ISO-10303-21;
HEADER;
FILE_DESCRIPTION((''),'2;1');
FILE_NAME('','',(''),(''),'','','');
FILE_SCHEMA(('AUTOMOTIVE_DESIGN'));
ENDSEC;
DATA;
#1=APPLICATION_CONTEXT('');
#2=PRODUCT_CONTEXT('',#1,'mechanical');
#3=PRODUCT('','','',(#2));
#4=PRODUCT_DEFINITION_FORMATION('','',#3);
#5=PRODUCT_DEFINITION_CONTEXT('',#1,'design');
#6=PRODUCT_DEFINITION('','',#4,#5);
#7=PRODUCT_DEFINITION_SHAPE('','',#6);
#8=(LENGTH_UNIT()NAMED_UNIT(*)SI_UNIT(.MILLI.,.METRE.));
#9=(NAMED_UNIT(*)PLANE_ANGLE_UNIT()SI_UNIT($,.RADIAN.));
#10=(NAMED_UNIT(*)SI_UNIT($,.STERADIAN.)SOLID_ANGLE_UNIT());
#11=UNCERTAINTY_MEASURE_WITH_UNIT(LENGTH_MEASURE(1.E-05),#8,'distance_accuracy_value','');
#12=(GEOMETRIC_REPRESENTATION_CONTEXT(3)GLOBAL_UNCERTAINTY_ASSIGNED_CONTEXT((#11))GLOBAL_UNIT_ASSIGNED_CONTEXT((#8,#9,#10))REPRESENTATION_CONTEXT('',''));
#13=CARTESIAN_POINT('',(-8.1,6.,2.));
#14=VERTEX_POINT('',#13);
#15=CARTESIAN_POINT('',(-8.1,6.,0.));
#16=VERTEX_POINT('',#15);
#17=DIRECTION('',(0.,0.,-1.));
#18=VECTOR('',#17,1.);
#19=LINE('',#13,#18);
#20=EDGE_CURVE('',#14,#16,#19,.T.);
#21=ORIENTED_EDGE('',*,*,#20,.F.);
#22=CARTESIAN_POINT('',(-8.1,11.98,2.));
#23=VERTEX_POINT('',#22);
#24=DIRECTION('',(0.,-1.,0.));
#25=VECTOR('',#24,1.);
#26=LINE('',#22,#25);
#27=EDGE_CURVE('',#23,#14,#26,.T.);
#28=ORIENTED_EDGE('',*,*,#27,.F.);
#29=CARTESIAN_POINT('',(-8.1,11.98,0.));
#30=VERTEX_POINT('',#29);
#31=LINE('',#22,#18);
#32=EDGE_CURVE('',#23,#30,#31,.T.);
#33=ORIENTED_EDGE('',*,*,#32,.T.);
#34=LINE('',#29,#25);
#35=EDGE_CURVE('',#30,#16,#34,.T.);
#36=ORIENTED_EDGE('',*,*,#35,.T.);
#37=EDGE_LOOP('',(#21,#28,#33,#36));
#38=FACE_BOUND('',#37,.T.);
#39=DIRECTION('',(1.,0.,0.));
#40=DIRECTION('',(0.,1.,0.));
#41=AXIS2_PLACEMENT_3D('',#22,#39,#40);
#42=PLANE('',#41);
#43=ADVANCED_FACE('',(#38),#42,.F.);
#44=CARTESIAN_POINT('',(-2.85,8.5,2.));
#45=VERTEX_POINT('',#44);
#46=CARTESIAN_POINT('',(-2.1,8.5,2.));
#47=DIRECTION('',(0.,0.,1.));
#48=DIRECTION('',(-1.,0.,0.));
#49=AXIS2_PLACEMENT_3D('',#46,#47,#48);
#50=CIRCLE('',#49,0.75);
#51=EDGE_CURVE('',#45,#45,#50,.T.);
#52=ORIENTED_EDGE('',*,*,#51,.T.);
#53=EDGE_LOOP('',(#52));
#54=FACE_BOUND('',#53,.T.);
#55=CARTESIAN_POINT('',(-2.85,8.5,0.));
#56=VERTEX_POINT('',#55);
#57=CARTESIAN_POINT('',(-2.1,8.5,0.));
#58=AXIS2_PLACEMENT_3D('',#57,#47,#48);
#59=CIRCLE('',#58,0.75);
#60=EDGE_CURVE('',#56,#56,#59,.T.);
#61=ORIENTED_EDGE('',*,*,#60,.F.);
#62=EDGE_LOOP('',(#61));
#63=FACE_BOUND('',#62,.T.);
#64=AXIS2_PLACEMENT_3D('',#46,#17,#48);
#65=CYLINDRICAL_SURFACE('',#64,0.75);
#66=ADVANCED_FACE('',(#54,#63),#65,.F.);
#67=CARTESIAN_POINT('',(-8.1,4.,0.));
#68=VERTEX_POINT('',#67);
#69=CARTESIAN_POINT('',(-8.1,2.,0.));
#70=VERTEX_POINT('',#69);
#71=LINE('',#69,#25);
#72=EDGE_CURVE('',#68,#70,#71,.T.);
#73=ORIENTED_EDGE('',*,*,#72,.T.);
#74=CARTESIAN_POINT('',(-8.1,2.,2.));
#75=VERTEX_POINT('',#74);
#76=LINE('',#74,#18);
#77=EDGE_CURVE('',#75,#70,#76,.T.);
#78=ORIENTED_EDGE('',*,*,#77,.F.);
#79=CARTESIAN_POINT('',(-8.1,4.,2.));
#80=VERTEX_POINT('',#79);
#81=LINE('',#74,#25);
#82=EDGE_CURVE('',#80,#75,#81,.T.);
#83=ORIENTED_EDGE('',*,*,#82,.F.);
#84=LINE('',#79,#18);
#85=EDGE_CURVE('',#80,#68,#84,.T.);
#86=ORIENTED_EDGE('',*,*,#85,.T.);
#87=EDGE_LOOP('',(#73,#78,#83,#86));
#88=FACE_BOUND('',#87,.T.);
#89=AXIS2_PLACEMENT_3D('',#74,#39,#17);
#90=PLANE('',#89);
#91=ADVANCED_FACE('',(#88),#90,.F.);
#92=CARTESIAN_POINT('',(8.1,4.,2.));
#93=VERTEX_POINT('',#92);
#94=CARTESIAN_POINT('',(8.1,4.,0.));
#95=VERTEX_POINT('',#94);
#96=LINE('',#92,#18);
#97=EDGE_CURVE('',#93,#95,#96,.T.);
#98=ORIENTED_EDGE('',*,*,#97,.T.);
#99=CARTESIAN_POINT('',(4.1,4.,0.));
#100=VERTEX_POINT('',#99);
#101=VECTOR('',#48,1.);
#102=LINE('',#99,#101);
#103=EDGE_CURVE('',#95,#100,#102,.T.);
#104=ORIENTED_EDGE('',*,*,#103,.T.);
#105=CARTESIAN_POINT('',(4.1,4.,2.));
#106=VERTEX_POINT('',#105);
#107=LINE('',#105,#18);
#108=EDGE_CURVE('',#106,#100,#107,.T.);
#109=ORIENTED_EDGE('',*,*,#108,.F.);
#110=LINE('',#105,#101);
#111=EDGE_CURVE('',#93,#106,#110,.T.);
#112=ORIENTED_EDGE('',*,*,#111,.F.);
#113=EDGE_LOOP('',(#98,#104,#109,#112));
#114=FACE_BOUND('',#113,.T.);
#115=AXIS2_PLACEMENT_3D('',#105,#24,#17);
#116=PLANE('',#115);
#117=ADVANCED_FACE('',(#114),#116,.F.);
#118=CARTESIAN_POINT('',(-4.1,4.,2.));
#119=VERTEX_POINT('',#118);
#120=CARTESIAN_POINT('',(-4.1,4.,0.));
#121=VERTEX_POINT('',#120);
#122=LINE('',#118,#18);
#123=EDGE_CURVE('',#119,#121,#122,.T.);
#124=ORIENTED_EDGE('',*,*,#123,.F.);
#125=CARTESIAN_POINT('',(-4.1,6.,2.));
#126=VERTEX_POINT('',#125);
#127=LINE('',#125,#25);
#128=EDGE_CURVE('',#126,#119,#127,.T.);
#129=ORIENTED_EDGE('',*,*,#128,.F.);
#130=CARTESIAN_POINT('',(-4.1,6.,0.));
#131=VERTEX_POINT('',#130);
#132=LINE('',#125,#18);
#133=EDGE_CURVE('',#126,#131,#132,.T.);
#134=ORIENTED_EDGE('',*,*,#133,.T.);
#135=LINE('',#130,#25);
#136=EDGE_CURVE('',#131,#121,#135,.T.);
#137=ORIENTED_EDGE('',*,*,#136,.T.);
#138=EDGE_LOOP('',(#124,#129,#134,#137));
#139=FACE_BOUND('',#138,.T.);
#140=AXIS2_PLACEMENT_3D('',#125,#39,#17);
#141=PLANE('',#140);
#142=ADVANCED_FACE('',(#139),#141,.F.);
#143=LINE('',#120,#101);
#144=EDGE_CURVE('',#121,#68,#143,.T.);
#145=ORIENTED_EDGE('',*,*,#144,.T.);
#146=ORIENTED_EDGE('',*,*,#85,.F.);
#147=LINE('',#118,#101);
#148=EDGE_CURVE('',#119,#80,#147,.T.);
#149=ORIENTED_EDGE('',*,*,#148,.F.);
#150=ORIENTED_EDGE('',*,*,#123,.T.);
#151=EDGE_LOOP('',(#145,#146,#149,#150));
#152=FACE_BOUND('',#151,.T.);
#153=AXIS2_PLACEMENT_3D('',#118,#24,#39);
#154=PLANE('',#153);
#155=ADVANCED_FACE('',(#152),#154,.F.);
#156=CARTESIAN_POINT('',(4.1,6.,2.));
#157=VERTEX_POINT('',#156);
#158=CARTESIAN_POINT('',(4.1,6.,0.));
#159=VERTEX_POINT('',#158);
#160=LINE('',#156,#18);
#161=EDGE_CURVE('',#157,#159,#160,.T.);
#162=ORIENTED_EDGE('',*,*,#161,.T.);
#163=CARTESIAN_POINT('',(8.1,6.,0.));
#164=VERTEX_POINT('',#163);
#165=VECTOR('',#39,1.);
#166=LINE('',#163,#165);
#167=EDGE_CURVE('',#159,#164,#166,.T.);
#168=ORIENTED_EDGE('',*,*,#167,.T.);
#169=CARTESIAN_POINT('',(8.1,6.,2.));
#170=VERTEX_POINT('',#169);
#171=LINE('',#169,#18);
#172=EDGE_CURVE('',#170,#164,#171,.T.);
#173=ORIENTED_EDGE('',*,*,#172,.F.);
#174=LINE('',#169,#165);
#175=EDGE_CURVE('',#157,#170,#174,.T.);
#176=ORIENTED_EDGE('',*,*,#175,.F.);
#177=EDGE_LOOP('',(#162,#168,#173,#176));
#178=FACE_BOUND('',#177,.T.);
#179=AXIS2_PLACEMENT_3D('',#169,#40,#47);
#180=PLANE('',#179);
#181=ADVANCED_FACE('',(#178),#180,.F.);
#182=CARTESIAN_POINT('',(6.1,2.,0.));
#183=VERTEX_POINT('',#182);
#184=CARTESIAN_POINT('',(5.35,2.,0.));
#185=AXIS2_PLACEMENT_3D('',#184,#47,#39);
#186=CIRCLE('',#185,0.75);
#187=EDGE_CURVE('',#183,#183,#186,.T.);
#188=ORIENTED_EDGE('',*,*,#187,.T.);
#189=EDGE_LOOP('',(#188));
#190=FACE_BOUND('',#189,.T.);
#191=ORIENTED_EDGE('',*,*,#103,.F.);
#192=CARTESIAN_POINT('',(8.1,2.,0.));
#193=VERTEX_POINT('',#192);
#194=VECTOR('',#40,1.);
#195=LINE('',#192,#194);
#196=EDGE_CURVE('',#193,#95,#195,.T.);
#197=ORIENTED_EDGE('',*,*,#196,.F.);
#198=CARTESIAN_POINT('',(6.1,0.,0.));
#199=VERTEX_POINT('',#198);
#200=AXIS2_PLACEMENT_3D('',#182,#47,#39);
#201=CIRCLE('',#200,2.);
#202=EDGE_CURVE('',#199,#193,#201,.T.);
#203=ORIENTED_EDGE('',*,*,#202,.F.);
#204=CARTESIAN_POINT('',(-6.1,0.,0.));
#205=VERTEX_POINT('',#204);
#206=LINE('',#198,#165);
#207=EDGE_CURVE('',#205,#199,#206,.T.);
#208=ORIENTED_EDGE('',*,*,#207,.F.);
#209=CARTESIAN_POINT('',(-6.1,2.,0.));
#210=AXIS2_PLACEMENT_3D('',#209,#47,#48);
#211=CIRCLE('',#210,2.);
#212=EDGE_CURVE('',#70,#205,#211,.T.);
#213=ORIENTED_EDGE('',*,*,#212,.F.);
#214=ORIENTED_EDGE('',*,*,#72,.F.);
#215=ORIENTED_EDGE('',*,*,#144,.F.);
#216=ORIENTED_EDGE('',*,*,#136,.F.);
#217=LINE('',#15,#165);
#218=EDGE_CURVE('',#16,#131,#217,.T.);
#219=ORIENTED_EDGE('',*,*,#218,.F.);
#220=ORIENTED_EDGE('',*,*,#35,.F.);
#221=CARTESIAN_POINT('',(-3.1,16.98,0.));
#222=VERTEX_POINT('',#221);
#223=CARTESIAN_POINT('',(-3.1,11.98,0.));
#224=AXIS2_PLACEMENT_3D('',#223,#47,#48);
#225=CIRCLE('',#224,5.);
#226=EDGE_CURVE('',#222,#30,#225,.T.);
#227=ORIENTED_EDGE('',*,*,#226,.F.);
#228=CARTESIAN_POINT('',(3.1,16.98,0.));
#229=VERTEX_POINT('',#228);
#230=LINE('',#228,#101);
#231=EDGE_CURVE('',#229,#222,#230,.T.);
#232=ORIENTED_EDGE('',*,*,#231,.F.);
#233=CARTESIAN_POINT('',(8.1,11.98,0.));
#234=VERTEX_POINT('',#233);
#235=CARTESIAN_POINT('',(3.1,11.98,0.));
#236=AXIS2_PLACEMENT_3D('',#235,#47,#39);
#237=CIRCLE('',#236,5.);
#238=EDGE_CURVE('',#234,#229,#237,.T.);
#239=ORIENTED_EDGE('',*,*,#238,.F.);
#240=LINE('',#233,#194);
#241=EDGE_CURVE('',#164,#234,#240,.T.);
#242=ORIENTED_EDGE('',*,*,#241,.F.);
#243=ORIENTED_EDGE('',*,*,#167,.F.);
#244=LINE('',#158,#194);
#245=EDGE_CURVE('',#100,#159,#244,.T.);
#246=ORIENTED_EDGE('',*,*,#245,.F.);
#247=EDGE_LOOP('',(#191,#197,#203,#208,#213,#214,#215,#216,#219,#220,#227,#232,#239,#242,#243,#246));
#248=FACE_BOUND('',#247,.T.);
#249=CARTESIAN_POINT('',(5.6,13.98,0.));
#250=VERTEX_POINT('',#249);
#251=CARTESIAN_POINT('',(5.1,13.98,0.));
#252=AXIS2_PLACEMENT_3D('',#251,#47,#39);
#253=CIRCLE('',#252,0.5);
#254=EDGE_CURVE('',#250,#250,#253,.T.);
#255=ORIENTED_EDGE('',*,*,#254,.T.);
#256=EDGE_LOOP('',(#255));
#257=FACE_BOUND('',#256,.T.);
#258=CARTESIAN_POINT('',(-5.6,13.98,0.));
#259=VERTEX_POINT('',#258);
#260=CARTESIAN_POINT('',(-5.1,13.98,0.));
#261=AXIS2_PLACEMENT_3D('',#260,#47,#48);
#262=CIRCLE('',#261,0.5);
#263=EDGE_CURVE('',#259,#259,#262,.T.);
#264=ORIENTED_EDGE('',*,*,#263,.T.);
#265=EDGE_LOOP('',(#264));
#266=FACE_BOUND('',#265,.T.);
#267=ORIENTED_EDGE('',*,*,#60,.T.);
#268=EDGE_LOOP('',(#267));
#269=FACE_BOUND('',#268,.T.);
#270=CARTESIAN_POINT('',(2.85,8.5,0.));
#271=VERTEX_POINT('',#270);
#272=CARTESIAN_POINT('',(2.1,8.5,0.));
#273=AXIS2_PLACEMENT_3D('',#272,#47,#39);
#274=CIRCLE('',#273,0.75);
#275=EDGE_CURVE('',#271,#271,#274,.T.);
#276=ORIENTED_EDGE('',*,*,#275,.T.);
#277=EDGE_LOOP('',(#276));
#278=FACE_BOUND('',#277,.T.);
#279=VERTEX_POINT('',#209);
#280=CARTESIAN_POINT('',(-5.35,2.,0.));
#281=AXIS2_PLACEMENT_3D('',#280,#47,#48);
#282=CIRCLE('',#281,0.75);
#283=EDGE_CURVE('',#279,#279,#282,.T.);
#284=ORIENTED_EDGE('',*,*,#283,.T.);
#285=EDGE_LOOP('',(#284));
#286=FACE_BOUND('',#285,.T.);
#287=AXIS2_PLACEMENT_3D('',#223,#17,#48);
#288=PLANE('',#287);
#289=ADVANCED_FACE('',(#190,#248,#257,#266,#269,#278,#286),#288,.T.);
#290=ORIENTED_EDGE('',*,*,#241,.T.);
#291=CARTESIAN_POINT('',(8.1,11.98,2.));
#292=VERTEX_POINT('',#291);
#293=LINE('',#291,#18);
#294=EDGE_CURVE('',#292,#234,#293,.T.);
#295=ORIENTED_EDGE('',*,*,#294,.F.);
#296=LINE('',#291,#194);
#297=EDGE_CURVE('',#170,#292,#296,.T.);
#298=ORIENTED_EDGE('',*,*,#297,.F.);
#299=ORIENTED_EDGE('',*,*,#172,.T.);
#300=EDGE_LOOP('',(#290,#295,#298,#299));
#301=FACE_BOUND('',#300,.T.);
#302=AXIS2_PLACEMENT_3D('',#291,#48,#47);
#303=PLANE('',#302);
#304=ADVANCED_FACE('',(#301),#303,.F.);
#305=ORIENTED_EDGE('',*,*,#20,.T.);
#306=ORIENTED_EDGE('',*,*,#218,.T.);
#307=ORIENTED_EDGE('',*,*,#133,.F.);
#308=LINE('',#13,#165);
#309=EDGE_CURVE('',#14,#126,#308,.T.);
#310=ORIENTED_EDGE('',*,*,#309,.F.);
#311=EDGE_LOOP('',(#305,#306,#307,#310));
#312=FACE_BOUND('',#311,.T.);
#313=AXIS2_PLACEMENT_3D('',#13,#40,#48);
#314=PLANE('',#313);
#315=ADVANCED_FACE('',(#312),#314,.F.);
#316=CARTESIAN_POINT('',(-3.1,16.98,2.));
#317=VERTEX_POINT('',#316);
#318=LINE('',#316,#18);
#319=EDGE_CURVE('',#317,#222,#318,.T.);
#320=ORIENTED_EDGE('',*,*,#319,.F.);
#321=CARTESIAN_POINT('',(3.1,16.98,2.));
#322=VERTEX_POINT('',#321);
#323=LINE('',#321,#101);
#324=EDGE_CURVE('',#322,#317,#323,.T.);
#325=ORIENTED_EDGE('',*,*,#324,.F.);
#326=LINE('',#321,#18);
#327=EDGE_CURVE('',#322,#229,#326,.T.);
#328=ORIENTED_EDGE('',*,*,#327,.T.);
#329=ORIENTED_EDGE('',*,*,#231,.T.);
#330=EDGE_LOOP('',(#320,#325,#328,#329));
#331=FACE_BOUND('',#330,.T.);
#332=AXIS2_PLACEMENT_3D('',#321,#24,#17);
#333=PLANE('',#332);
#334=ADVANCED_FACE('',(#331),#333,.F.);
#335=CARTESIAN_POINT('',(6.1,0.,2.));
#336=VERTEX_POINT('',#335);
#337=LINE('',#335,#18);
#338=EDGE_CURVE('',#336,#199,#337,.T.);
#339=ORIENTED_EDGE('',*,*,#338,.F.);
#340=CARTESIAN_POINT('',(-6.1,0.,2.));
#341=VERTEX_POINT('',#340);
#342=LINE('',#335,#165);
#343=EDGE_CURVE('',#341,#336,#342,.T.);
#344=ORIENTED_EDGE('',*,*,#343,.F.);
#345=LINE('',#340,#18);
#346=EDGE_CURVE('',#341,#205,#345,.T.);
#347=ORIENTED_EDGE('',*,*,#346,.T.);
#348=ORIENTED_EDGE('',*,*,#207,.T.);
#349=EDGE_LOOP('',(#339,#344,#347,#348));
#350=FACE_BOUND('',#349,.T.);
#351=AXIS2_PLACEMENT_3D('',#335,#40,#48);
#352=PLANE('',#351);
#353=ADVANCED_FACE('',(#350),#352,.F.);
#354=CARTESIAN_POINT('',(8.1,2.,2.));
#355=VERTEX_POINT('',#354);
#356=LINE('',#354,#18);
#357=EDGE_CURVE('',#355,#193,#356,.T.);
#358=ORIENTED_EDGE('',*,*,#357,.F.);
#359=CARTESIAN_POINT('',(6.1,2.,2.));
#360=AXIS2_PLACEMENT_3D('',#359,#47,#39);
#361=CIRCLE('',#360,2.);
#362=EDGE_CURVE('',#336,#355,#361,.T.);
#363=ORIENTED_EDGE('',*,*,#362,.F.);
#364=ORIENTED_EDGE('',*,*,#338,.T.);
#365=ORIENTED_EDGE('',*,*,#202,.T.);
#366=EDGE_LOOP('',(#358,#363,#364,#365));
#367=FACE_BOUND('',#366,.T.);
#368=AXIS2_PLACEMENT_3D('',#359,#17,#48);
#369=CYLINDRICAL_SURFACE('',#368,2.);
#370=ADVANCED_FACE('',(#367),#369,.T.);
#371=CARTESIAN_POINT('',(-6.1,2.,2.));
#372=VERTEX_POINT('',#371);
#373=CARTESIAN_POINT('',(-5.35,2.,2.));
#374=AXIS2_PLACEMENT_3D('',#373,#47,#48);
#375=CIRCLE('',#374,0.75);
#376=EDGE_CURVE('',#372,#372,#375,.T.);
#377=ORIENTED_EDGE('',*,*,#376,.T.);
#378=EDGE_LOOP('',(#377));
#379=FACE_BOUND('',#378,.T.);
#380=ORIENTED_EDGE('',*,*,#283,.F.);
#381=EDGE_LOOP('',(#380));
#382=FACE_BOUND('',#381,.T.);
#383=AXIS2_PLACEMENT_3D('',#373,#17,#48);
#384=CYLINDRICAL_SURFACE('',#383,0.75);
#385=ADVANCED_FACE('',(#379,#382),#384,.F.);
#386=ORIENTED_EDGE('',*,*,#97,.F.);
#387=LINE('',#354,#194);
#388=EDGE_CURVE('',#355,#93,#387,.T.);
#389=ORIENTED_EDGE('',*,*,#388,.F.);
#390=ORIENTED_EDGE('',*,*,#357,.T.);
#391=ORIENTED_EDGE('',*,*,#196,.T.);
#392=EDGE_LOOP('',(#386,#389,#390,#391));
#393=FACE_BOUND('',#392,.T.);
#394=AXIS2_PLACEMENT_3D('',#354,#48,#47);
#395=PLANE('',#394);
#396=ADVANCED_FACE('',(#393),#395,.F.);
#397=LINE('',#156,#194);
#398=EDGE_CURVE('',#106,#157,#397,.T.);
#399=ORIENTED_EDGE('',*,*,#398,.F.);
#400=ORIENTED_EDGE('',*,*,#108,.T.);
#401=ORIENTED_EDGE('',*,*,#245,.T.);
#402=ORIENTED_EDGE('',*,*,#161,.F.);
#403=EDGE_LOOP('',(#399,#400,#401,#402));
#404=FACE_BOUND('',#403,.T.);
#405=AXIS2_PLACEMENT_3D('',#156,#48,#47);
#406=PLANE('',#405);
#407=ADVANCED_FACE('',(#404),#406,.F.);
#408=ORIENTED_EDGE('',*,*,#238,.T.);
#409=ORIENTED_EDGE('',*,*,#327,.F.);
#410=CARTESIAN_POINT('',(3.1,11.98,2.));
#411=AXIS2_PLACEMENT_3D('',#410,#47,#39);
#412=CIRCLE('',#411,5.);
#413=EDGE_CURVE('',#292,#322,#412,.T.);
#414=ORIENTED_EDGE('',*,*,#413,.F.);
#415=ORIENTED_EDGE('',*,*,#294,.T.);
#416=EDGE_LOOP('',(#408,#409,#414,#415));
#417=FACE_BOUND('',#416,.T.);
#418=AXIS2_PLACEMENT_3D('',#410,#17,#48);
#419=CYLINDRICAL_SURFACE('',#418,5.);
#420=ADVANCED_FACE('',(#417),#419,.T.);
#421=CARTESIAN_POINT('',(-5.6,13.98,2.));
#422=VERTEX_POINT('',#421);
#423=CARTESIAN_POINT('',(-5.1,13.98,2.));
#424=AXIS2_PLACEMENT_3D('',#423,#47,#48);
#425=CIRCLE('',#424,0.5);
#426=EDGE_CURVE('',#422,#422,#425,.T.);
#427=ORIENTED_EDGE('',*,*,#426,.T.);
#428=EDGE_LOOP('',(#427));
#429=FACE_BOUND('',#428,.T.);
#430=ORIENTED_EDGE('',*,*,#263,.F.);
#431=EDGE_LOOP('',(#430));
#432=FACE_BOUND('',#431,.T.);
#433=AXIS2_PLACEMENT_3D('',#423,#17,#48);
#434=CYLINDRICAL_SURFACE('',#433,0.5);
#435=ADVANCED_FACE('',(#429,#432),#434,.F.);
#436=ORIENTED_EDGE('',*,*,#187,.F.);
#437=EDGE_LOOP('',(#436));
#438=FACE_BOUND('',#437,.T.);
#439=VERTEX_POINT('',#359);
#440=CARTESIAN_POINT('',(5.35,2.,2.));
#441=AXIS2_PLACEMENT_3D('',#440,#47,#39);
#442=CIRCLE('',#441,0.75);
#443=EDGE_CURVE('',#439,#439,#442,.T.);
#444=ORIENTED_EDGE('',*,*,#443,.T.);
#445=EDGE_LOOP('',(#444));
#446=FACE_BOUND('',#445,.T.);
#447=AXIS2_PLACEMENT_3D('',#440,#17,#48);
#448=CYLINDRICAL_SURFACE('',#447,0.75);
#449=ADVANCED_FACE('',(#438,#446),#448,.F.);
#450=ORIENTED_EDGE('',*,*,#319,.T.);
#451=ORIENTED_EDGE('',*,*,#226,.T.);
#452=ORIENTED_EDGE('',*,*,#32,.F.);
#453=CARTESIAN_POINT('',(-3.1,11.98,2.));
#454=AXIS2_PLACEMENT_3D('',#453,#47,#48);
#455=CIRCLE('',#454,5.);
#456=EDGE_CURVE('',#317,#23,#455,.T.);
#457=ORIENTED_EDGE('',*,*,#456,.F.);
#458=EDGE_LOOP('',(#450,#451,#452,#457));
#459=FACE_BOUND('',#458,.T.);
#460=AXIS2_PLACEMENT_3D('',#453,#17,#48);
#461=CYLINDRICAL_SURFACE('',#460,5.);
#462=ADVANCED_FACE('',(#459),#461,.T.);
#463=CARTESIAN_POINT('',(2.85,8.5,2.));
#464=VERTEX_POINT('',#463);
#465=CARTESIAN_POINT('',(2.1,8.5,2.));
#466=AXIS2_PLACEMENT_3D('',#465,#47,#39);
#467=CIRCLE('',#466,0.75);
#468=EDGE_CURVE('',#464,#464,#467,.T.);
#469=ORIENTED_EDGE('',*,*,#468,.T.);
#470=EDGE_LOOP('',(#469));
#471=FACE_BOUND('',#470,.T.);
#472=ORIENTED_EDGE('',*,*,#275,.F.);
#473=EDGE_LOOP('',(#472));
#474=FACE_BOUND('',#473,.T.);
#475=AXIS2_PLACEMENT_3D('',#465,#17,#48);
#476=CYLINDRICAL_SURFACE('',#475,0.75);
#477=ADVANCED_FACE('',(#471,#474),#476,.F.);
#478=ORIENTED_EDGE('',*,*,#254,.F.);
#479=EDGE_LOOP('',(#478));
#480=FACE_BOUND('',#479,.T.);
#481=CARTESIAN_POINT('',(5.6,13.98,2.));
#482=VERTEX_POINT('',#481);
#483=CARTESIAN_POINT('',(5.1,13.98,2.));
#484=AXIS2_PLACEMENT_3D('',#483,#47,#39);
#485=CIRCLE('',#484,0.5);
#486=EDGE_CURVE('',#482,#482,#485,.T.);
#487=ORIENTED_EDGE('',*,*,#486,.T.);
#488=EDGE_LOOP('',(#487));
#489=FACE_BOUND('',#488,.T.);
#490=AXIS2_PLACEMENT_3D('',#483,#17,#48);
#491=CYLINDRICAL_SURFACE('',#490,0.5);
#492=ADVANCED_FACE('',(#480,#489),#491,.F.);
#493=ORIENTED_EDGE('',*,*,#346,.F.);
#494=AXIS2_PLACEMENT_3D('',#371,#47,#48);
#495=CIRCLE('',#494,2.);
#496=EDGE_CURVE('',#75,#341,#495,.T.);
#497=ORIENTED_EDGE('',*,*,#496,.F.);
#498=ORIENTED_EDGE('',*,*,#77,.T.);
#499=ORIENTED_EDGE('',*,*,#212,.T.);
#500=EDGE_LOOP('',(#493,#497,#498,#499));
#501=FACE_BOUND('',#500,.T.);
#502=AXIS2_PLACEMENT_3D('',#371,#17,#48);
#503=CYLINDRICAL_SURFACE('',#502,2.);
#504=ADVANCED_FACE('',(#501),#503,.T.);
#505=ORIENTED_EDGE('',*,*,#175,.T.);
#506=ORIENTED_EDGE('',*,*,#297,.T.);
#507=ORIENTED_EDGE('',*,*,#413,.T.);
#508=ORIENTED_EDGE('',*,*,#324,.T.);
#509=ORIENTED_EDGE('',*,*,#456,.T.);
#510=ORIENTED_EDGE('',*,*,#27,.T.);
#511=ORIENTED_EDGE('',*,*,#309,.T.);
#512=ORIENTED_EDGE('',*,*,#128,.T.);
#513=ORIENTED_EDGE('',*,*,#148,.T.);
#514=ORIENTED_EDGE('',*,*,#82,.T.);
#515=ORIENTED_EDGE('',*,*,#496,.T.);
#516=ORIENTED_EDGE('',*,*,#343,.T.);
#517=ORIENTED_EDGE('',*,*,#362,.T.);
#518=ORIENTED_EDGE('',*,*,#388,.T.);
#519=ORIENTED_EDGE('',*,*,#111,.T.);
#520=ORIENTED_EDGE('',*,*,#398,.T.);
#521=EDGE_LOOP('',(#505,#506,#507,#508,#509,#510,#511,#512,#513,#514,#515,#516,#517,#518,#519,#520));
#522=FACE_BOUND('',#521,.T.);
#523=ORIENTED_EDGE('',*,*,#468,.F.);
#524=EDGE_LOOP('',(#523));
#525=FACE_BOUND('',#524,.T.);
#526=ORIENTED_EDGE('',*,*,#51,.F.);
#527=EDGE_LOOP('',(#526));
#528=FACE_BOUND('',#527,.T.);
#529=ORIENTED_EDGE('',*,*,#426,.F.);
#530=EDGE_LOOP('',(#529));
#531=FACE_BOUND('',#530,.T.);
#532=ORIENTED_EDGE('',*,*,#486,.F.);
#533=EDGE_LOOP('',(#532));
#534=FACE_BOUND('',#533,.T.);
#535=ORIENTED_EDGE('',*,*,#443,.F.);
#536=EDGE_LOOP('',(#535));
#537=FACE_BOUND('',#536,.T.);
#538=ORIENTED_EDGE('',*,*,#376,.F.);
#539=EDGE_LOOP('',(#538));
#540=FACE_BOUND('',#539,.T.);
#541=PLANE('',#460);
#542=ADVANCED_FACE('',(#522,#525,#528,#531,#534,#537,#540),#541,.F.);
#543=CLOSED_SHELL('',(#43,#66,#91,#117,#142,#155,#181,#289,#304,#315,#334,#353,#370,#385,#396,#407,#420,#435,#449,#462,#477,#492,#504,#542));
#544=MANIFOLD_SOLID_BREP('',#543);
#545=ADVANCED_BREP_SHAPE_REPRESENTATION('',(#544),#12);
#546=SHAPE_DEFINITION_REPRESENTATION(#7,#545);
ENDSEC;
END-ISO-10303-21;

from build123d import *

# Parameters (mm, degrees)
SKETCH1_R           = 0.75
SKETCH1_R_2         = 0.5
BOSS_EXTRUDE1_DEPTH = 2


with BuildPart() as part:
    # Sketch1 → Boss-Extrude1 (new body)
    with BuildSketch(Plane.XY):
        with BuildLine():
            Line((3.1, 16.98), (-3.1, 16.98))
            ThreePointArc((-3.1, 16.98), (-6.635533906, 15.515533906), (-8.1, 11.98))
            Line((-8.1, 11.98), (-8.1, 6))
            Line((-8.1, 6), (-4.1, 6))
            Line((-4.1, 6), (-4.1, 4))
            Line((-4.1, 4), (-8.1, 4))
            Line((-8.1, 4), (-8.1, 2))
            ThreePointArc((-8.1, 2), (-7.514213562, 0.585786438), (-6.1, 0))
            Line((-6.1, 0), (6.1, 0))
            ThreePointArc((6.1, 0), (7.514213562, 0.585786438), (8.1, 2))
            Line((8.1, 2), (8.1, 4))
            Line((8.1, 4), (4.1, 4))
            Line((4.1, 4), (4.1, 6))
            Line((4.1, 6), (8.1, 6))
            Line((8.1, 6), (8.1, 11.98))
            ThreePointArc((8.1, 11.98), (6.635533906, 15.515533906), (3.1, 16.98))
        make_face()
        with Locations((-5.35, 2)):
            Circle(SKETCH1_R, mode=Mode.SUBTRACT)
        with Locations((-5.1, 13.98)):
            Circle(SKETCH1_R_2, mode=Mode.SUBTRACT)
        with Locations((-2.1, 8.5)):
            Circle(SKETCH1_R, mode=Mode.SUBTRACT)
        with Locations((2.1, 8.5)):
            Circle(SKETCH1_R, mode=Mode.SUBTRACT)
        with Locations((5.1, 13.98)):
            Circle(SKETCH1_R_2, mode=Mode.SUBTRACT)
        with Locations((5.35, 2)):
            Circle(SKETCH1_R, mode=Mode.SUBTRACT)
    extrude(amount=BOSS_EXTRUDE1_DEPTH)


solid = part.part
